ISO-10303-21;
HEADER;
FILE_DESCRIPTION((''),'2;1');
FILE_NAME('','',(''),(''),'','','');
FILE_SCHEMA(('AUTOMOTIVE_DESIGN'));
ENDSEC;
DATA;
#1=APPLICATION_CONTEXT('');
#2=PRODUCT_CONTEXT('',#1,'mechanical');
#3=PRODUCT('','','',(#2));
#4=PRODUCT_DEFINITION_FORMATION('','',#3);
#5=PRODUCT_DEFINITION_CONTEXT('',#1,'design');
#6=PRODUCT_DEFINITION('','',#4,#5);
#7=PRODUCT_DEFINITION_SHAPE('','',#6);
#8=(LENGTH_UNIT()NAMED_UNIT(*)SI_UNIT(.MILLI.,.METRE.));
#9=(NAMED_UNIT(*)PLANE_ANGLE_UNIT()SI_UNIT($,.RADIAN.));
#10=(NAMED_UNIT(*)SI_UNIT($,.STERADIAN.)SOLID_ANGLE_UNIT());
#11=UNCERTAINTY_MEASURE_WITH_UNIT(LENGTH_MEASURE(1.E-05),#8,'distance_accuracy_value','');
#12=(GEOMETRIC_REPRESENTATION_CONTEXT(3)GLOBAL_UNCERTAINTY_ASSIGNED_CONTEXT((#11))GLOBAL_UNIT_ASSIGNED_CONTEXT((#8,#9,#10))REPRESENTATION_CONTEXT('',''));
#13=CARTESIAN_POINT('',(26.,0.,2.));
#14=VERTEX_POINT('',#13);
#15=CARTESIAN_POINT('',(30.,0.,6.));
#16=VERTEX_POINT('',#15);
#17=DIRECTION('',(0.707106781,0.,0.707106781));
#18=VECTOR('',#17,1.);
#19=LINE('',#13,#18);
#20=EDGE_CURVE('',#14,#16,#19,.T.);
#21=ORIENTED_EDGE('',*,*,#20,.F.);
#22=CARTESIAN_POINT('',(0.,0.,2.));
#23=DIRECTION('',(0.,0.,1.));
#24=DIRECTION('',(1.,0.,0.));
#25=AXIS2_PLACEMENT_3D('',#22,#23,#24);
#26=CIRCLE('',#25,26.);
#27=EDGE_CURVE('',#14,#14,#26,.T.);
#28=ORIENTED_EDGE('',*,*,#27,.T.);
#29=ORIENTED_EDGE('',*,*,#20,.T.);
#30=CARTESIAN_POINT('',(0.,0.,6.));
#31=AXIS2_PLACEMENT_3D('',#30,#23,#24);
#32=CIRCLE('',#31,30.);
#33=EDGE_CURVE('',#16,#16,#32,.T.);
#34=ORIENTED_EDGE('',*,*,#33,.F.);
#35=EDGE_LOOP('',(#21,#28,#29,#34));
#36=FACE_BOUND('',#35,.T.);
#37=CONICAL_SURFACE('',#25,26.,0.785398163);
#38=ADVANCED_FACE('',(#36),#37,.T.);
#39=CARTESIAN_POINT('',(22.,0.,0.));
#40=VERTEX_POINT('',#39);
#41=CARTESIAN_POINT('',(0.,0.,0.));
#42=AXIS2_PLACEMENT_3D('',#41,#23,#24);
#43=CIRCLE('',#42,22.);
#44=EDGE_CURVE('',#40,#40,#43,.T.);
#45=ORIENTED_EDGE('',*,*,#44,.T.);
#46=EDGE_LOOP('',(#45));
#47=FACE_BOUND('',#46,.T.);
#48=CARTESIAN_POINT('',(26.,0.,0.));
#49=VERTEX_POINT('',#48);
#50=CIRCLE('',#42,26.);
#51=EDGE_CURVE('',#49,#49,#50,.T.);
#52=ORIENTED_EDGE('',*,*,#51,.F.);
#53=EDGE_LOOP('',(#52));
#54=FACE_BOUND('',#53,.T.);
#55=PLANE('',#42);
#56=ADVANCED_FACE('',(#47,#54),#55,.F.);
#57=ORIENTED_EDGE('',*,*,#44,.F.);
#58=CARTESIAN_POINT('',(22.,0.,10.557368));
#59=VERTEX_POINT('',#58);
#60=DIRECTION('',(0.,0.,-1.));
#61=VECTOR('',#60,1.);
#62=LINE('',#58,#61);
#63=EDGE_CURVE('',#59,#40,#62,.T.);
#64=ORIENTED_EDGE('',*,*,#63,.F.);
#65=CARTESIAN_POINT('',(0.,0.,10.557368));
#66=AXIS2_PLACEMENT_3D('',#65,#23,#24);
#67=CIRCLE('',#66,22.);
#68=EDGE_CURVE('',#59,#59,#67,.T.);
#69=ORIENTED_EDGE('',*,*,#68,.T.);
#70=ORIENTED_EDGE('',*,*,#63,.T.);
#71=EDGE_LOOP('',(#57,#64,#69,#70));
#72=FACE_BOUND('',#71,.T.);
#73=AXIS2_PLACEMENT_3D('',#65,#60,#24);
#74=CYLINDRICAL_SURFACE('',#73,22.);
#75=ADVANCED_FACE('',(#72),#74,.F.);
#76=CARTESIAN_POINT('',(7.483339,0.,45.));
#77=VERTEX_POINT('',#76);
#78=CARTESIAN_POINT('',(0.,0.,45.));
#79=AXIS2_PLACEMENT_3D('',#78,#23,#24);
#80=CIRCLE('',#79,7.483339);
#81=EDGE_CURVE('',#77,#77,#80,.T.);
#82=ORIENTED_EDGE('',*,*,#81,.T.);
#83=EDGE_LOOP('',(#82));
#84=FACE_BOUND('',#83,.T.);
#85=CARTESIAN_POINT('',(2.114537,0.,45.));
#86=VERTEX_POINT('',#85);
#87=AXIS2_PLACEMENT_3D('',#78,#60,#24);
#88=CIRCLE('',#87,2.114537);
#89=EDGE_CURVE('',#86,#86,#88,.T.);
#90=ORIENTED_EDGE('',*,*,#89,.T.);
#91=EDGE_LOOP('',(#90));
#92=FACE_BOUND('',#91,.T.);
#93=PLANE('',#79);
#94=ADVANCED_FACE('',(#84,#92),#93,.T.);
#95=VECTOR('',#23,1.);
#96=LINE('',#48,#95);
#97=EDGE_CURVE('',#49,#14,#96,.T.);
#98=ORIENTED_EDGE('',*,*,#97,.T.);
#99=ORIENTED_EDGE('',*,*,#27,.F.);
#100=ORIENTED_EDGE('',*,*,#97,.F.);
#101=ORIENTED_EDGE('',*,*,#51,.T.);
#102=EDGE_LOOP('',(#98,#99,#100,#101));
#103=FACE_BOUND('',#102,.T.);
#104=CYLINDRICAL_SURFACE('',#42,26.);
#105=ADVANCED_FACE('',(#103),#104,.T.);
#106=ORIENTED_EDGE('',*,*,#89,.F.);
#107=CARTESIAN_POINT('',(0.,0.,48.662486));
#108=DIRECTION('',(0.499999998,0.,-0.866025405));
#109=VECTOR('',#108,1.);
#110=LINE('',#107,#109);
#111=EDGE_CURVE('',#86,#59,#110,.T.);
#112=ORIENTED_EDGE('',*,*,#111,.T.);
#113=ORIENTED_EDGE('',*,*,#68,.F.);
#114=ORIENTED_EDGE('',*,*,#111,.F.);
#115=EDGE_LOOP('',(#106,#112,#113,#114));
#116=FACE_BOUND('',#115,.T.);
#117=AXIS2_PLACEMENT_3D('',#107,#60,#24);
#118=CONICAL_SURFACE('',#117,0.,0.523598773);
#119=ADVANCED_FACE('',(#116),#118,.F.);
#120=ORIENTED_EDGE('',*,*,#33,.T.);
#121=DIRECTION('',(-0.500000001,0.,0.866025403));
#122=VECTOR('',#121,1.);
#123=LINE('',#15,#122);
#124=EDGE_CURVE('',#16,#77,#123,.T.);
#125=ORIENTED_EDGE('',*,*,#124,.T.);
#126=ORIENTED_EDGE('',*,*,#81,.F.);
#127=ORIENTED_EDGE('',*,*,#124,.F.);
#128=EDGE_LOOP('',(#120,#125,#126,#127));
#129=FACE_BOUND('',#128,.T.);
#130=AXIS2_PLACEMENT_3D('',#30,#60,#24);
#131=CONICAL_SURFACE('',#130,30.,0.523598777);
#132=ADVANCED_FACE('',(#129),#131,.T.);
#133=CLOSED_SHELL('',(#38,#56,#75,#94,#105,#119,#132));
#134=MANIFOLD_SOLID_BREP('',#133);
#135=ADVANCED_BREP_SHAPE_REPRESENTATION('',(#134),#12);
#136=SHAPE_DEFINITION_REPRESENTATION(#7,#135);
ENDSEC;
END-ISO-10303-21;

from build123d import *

# Parameters (mm, degrees)
SKETCH001_R  = 15.261185
POCKET_DEPTH = 14


with BuildPart() as part:
    # Sketch (on DatumPlane) → Revolution (revolve)
    with BuildSketch(Plane.XZ):
        Polygon((30, 6), (0.75, 56.662486), (0, 56.662486), (0, 48.662486), (22, 10.557368), (22, 0), (26, 0), (26, 2), align=None)
    revolve(axis=Axis((0, 0, 0), (0, 0, 1)))

    # Sketch001 (on DatumPlane) → Pocket (cut)
    with BuildSketch(Plane.XY.offset(45)):
        Circle(SKETCH001_R)
    extrude(amount=POCKET_DEPTH, mode=Mode.SUBTRACT)


solid = part.part
